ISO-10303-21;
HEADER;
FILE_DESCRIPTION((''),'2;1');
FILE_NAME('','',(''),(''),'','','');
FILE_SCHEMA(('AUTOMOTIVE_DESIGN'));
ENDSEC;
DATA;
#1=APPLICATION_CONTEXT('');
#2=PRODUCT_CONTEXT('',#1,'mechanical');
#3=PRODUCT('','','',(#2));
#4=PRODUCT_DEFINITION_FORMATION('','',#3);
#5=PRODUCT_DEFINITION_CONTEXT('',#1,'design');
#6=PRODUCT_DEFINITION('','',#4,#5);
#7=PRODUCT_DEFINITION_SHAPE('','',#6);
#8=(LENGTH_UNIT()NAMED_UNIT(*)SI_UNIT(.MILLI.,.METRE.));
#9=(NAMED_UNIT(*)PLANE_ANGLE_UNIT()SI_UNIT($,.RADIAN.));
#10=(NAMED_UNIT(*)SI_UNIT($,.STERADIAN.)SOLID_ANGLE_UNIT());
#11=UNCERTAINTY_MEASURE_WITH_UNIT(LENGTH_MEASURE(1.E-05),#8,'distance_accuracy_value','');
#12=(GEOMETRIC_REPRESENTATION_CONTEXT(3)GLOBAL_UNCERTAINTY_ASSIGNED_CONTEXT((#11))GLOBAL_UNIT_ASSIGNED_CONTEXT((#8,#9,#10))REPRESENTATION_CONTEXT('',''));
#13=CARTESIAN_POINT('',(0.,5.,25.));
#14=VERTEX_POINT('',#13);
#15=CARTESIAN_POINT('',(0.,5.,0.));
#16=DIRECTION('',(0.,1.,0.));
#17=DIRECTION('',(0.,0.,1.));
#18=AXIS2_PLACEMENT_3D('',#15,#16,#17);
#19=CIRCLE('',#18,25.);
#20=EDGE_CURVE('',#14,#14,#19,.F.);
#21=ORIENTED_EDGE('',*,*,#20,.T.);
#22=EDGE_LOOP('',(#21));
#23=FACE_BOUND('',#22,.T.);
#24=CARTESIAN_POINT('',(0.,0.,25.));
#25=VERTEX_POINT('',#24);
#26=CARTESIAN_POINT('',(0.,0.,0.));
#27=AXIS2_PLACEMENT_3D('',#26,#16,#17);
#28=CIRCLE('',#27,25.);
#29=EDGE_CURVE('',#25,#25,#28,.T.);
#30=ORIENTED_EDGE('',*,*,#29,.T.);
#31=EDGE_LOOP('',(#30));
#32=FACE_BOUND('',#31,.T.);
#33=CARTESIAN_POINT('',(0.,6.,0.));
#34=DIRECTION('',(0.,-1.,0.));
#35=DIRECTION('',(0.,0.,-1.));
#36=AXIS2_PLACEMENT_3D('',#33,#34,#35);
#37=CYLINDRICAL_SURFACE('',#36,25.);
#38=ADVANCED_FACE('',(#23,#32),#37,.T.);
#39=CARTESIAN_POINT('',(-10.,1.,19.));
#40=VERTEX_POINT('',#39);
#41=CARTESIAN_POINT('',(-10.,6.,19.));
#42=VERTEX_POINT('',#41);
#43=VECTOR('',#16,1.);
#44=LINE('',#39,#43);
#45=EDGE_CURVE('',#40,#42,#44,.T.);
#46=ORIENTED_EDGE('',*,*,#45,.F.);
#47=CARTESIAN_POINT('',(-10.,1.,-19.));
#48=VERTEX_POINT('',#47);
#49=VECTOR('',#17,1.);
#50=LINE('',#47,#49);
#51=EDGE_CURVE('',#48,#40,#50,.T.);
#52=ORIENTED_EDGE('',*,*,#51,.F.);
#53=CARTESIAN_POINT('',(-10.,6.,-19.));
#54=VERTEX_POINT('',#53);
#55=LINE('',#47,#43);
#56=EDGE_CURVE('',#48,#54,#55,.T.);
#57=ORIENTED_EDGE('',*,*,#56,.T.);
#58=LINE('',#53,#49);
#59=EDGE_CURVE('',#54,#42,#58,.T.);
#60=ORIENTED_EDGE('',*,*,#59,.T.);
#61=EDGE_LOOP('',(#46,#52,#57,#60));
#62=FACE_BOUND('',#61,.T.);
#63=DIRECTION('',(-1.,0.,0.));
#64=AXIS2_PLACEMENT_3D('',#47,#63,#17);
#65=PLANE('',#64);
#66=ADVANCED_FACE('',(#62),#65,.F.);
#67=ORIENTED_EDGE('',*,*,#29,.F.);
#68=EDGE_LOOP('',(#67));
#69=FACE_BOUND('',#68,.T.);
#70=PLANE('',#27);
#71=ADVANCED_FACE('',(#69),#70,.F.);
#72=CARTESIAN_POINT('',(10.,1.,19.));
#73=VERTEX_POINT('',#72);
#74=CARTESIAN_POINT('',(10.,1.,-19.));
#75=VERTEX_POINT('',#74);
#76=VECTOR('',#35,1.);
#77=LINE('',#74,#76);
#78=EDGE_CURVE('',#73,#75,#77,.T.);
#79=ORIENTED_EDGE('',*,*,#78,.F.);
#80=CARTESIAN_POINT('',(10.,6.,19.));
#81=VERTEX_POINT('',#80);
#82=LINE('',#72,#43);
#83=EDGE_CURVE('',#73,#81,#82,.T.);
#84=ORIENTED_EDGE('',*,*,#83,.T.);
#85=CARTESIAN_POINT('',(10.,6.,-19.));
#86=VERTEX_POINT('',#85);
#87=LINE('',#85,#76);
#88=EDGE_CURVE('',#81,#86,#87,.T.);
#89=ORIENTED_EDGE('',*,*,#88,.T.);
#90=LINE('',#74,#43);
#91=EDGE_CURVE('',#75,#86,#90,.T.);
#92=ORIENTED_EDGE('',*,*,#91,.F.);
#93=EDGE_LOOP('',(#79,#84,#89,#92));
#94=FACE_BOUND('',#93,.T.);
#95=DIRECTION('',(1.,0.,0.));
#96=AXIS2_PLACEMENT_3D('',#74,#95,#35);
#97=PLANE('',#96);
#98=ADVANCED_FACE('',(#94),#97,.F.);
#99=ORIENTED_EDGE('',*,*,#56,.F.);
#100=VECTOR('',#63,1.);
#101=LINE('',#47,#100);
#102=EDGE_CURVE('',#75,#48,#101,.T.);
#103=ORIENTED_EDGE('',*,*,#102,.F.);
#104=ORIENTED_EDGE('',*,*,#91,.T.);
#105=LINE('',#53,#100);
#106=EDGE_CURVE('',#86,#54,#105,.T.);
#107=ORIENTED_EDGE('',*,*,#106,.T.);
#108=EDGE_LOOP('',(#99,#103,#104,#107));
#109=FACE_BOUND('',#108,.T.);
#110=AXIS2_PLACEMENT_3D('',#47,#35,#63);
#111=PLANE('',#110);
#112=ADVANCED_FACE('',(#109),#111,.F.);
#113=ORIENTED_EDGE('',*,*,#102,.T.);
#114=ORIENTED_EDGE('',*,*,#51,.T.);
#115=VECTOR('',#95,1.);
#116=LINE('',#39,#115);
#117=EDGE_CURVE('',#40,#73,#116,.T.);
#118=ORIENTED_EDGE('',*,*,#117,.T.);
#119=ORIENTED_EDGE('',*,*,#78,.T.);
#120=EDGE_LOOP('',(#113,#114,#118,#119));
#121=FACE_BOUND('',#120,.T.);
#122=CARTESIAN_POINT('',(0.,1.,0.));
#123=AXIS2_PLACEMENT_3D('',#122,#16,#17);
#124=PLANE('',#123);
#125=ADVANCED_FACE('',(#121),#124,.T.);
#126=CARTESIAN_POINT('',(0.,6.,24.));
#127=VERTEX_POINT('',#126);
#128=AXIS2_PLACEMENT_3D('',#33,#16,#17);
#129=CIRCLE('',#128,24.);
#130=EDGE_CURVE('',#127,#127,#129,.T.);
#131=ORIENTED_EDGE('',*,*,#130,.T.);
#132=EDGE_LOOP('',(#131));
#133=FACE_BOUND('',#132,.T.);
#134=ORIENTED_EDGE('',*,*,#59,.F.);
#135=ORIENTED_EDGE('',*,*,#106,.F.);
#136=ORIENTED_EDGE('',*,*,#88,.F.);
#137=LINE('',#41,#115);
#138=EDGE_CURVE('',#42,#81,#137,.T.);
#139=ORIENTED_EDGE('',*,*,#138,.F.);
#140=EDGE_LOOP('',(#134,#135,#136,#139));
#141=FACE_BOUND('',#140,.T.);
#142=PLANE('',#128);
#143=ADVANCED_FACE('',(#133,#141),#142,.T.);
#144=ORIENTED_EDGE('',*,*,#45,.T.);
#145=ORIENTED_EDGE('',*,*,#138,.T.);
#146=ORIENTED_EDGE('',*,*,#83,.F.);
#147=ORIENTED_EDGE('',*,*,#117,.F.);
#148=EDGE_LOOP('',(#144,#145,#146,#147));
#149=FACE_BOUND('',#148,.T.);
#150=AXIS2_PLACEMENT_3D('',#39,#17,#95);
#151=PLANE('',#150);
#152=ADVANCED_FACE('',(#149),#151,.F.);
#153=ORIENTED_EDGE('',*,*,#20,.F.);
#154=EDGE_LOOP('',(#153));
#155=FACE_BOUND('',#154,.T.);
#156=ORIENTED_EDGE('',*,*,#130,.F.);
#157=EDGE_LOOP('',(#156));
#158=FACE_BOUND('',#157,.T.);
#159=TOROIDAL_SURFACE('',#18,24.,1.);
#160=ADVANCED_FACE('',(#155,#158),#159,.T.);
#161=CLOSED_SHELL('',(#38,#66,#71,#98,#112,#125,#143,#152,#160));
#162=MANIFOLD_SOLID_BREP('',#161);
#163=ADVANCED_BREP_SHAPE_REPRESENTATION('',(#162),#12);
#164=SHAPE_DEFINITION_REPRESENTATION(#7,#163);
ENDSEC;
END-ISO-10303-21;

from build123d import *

# Parameters (mm, degrees)
SKETCH1_R           = 25
BOSS_EXTRUDE1_DEPTH = 6
SKETCH2_W           = 20
SKETCH2_H           = 38
CUT_EXTRUDE1_DEPTH  = 5
FILLET1_R           = 1


with BuildPart() as part:
    # Sketch1 → Boss-Extrude1 (new body)
    with BuildSketch(Plane(origin=(0, 0, 0), x_dir=(1, 0, 0), z_dir=(0, 1, 0))):
        with Locations(Location((0, 0, 0), (0, 0, 270))):
            Circle(SKETCH1_R)
    extrude(amount=BOSS_EXTRUDE1_DEPTH)

    # Sketch2 → Cut-Extrude1 (cut)
    with BuildSketch(Plane(origin=(0, 6, 0), x_dir=(1, 0, 0), z_dir=(0, 1, 0))):
        Rectangle(SKETCH2_W, SKETCH2_H)
    extrude(amount=-CUT_EXTRUDE1_DEPTH, mode=Mode.SUBTRACT)

    # Fillet1
    fillet1_edges = [part.edges().sort_by_distance(p)[0] for p in [
        (0, 6, -25),
    ]]
    fillet(fillet1_edges, radius=FILLET1_R)


solid = part.part
